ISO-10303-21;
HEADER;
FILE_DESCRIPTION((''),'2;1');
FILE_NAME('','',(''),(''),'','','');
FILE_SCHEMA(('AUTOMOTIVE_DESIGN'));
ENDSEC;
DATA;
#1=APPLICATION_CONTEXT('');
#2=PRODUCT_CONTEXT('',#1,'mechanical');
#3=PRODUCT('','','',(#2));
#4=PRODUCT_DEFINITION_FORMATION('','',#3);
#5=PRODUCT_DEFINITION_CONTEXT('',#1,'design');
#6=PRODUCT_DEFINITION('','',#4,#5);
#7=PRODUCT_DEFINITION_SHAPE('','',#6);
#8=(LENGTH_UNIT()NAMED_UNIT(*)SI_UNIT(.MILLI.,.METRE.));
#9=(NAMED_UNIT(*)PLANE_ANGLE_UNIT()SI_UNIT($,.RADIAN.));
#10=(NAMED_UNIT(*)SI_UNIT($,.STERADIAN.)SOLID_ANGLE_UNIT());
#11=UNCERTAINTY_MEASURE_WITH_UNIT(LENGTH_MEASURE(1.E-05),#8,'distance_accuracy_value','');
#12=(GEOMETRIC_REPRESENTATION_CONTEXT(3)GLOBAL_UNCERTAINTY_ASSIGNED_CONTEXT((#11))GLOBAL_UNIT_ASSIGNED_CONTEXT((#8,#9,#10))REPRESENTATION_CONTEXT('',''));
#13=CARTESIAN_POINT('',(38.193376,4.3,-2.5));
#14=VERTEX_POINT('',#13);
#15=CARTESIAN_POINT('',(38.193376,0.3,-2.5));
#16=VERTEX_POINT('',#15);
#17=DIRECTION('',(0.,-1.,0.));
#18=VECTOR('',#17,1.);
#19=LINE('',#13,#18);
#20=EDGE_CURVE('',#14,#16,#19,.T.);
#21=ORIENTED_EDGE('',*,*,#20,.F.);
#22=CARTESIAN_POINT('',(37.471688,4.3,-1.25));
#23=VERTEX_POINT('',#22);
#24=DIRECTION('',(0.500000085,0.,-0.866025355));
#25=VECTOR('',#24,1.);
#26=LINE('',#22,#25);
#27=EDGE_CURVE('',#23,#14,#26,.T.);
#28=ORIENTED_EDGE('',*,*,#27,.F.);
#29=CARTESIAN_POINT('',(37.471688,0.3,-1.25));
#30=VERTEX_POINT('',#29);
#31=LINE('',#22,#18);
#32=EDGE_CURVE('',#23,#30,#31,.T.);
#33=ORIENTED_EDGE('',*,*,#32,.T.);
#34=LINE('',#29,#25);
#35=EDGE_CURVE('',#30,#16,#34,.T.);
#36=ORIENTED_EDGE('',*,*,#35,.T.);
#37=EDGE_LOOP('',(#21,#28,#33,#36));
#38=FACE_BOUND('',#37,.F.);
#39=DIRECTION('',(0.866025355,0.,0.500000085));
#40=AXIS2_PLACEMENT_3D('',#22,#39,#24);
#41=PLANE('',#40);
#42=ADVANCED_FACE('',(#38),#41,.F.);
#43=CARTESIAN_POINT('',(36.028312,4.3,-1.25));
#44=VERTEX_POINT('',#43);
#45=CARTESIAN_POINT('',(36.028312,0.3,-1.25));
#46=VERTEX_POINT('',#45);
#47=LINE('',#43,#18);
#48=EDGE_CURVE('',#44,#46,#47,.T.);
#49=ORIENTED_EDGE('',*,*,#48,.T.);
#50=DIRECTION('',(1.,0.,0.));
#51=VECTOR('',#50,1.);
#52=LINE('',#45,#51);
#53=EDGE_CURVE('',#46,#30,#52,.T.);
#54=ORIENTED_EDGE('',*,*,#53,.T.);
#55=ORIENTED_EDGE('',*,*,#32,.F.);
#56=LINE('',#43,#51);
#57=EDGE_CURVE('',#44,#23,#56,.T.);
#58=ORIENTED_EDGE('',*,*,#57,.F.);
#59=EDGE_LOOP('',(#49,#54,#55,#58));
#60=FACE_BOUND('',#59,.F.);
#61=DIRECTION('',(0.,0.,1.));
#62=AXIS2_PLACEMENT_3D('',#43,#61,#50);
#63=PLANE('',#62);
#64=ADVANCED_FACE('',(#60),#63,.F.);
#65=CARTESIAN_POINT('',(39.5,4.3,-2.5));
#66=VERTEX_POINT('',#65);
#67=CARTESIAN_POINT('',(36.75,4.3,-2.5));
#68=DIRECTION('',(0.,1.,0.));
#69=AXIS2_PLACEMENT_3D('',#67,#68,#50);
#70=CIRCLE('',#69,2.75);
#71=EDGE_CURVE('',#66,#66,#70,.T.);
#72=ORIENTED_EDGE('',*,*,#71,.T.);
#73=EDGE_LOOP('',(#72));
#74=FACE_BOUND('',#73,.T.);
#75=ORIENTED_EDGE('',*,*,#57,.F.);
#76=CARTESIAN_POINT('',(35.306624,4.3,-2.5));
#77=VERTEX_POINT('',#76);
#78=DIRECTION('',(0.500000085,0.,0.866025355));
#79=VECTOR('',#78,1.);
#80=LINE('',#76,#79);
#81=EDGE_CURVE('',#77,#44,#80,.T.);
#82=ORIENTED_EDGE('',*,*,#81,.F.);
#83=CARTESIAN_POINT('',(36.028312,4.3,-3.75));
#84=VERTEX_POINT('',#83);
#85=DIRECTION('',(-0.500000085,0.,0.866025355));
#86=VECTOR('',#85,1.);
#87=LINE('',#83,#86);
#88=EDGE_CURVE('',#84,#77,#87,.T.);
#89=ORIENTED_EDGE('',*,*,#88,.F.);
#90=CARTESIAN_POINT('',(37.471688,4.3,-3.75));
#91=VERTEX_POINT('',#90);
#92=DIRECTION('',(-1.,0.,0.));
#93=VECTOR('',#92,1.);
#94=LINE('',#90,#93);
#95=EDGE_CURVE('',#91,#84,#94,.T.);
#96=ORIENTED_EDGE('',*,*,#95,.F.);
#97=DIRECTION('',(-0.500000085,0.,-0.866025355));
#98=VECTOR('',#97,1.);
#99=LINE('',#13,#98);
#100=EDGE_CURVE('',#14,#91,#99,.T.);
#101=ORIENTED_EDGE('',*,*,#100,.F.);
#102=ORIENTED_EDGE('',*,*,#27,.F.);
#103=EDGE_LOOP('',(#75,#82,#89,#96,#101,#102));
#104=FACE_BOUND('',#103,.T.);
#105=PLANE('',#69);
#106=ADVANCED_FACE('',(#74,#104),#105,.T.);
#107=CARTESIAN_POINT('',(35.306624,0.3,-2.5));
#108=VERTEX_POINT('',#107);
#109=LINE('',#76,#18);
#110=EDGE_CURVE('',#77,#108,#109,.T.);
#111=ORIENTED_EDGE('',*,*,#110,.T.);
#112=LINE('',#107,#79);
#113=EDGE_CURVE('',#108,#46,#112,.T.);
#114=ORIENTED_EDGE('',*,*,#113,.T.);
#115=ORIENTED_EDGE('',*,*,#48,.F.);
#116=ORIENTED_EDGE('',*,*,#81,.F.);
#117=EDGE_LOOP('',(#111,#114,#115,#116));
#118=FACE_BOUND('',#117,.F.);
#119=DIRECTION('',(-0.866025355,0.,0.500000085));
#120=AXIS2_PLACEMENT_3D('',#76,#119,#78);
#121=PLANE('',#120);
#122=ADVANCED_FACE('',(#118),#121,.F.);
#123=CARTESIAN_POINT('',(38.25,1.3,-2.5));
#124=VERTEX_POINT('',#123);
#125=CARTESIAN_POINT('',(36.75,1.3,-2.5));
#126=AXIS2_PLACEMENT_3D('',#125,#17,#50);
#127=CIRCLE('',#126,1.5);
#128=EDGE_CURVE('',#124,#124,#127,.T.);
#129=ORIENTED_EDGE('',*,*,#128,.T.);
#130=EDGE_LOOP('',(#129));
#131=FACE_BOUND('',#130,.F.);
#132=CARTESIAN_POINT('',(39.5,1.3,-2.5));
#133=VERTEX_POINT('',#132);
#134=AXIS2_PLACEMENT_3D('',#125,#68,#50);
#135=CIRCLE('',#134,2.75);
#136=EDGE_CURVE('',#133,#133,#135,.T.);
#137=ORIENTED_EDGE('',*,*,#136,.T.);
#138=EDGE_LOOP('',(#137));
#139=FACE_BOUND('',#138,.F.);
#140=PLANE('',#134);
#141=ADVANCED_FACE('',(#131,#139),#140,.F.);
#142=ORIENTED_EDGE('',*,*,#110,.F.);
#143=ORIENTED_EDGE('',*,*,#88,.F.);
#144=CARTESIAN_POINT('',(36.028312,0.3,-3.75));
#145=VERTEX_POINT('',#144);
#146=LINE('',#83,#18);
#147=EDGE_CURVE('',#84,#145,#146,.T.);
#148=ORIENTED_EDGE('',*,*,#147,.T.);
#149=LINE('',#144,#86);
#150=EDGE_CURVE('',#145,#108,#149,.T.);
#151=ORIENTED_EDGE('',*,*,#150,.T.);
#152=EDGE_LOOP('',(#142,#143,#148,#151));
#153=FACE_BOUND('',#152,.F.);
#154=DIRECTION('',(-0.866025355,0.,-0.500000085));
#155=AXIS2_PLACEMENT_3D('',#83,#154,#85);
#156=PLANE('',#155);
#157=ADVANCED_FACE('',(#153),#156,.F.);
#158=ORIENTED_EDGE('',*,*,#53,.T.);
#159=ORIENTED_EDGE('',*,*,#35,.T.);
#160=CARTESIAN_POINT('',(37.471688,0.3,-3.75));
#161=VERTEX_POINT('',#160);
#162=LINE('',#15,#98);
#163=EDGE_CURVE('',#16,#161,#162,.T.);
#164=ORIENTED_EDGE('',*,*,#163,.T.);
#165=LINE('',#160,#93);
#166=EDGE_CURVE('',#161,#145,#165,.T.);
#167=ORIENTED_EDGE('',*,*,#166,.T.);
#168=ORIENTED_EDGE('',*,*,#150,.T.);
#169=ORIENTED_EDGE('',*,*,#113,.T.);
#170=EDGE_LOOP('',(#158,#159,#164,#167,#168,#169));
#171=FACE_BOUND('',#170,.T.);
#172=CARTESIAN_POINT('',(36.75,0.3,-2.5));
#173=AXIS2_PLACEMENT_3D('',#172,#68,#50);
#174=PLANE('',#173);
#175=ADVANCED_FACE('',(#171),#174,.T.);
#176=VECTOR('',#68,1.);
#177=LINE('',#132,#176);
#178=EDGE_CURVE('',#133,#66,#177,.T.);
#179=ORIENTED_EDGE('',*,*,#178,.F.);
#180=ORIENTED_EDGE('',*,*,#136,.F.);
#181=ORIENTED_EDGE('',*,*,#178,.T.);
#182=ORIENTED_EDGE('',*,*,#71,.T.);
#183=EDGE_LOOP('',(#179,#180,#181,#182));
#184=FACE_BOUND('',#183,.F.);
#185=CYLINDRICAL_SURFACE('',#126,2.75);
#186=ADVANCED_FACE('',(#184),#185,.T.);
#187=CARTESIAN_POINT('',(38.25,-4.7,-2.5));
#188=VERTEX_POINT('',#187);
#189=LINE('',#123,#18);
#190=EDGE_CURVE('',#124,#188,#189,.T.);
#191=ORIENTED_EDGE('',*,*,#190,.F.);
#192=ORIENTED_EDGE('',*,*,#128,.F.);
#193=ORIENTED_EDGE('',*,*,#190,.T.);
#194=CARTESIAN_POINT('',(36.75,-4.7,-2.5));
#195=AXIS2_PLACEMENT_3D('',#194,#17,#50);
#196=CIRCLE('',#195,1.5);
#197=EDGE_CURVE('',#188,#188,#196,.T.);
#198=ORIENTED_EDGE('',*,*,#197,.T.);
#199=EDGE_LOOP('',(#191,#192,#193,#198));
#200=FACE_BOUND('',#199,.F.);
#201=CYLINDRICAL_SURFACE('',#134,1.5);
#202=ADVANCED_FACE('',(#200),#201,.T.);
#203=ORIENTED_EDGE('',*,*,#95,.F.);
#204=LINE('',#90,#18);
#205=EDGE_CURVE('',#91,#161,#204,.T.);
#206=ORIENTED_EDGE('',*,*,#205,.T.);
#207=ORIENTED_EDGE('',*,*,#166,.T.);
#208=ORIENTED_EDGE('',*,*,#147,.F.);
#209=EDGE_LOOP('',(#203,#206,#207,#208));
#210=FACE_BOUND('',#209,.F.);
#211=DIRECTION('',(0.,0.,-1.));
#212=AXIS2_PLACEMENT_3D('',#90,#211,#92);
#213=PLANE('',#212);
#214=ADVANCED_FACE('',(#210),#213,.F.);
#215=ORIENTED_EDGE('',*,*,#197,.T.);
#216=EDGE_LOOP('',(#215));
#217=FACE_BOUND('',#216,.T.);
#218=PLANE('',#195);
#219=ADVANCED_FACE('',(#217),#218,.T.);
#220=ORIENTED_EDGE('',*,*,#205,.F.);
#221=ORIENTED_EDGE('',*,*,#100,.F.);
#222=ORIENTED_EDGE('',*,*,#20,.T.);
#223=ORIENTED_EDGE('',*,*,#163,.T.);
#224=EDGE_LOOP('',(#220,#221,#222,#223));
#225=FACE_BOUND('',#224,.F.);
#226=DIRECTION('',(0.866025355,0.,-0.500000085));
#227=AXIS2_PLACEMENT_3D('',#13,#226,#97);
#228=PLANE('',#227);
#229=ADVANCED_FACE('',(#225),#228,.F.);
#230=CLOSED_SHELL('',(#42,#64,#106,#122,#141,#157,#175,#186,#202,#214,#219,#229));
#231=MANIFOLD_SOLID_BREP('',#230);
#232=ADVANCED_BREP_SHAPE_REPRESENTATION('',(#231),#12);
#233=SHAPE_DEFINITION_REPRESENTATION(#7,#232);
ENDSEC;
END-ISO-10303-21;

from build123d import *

# Parameters (mm, degrees)
SKETCH005_R             = 2.75
PAD003_DEPTH            = 3
SKETCH006_R             = 1.5
PAD002_DEPTH            = 6
POCKET001_DEPTH         = 4
BODY002_PLACEMENT_ANGLE = 270


with BuildPart() as part:
    # Sketch005 → Pad003 (new body)
    with BuildSketch(Plane.XY):
        Circle(SKETCH005_R)
    extrude(amount=PAD003_DEPTH)

    # Sketch006 (on Face2 of Pad003) → Pad002 (join)
    with BuildSketch(Plane(origin=(0, 0, 0), x_dir=(1, 0, 0), z_dir=(0, 0, -1))):
        Circle(SKETCH006_R)
    extrude(amount=PAD002_DEPTH)

    # Sketch004 (on DatumPlane) → Pocket001 (cut)
    with BuildSketch(Plane.XY.offset(3)):
        Polygon((0.721688, -1.25), (1.443376, 0), (0.721688, 1.25), (-0.721688, 1.25), (-1.443376, 0), (-0.721688, -1.25), align=None)
    extrude(amount=-POCKET001_DEPTH, mode=Mode.SUBTRACT)


with BuildPart() as part_1:
    # Body002 placement: moved
    add(part.part.moved(Location((36.75, 1.3, -2.5))).rotate(Axis((36.75, 1.3, -2.5), (1, 0, 0)), BODY002_PLACEMENT_ANGLE))


solid = part_1.part
